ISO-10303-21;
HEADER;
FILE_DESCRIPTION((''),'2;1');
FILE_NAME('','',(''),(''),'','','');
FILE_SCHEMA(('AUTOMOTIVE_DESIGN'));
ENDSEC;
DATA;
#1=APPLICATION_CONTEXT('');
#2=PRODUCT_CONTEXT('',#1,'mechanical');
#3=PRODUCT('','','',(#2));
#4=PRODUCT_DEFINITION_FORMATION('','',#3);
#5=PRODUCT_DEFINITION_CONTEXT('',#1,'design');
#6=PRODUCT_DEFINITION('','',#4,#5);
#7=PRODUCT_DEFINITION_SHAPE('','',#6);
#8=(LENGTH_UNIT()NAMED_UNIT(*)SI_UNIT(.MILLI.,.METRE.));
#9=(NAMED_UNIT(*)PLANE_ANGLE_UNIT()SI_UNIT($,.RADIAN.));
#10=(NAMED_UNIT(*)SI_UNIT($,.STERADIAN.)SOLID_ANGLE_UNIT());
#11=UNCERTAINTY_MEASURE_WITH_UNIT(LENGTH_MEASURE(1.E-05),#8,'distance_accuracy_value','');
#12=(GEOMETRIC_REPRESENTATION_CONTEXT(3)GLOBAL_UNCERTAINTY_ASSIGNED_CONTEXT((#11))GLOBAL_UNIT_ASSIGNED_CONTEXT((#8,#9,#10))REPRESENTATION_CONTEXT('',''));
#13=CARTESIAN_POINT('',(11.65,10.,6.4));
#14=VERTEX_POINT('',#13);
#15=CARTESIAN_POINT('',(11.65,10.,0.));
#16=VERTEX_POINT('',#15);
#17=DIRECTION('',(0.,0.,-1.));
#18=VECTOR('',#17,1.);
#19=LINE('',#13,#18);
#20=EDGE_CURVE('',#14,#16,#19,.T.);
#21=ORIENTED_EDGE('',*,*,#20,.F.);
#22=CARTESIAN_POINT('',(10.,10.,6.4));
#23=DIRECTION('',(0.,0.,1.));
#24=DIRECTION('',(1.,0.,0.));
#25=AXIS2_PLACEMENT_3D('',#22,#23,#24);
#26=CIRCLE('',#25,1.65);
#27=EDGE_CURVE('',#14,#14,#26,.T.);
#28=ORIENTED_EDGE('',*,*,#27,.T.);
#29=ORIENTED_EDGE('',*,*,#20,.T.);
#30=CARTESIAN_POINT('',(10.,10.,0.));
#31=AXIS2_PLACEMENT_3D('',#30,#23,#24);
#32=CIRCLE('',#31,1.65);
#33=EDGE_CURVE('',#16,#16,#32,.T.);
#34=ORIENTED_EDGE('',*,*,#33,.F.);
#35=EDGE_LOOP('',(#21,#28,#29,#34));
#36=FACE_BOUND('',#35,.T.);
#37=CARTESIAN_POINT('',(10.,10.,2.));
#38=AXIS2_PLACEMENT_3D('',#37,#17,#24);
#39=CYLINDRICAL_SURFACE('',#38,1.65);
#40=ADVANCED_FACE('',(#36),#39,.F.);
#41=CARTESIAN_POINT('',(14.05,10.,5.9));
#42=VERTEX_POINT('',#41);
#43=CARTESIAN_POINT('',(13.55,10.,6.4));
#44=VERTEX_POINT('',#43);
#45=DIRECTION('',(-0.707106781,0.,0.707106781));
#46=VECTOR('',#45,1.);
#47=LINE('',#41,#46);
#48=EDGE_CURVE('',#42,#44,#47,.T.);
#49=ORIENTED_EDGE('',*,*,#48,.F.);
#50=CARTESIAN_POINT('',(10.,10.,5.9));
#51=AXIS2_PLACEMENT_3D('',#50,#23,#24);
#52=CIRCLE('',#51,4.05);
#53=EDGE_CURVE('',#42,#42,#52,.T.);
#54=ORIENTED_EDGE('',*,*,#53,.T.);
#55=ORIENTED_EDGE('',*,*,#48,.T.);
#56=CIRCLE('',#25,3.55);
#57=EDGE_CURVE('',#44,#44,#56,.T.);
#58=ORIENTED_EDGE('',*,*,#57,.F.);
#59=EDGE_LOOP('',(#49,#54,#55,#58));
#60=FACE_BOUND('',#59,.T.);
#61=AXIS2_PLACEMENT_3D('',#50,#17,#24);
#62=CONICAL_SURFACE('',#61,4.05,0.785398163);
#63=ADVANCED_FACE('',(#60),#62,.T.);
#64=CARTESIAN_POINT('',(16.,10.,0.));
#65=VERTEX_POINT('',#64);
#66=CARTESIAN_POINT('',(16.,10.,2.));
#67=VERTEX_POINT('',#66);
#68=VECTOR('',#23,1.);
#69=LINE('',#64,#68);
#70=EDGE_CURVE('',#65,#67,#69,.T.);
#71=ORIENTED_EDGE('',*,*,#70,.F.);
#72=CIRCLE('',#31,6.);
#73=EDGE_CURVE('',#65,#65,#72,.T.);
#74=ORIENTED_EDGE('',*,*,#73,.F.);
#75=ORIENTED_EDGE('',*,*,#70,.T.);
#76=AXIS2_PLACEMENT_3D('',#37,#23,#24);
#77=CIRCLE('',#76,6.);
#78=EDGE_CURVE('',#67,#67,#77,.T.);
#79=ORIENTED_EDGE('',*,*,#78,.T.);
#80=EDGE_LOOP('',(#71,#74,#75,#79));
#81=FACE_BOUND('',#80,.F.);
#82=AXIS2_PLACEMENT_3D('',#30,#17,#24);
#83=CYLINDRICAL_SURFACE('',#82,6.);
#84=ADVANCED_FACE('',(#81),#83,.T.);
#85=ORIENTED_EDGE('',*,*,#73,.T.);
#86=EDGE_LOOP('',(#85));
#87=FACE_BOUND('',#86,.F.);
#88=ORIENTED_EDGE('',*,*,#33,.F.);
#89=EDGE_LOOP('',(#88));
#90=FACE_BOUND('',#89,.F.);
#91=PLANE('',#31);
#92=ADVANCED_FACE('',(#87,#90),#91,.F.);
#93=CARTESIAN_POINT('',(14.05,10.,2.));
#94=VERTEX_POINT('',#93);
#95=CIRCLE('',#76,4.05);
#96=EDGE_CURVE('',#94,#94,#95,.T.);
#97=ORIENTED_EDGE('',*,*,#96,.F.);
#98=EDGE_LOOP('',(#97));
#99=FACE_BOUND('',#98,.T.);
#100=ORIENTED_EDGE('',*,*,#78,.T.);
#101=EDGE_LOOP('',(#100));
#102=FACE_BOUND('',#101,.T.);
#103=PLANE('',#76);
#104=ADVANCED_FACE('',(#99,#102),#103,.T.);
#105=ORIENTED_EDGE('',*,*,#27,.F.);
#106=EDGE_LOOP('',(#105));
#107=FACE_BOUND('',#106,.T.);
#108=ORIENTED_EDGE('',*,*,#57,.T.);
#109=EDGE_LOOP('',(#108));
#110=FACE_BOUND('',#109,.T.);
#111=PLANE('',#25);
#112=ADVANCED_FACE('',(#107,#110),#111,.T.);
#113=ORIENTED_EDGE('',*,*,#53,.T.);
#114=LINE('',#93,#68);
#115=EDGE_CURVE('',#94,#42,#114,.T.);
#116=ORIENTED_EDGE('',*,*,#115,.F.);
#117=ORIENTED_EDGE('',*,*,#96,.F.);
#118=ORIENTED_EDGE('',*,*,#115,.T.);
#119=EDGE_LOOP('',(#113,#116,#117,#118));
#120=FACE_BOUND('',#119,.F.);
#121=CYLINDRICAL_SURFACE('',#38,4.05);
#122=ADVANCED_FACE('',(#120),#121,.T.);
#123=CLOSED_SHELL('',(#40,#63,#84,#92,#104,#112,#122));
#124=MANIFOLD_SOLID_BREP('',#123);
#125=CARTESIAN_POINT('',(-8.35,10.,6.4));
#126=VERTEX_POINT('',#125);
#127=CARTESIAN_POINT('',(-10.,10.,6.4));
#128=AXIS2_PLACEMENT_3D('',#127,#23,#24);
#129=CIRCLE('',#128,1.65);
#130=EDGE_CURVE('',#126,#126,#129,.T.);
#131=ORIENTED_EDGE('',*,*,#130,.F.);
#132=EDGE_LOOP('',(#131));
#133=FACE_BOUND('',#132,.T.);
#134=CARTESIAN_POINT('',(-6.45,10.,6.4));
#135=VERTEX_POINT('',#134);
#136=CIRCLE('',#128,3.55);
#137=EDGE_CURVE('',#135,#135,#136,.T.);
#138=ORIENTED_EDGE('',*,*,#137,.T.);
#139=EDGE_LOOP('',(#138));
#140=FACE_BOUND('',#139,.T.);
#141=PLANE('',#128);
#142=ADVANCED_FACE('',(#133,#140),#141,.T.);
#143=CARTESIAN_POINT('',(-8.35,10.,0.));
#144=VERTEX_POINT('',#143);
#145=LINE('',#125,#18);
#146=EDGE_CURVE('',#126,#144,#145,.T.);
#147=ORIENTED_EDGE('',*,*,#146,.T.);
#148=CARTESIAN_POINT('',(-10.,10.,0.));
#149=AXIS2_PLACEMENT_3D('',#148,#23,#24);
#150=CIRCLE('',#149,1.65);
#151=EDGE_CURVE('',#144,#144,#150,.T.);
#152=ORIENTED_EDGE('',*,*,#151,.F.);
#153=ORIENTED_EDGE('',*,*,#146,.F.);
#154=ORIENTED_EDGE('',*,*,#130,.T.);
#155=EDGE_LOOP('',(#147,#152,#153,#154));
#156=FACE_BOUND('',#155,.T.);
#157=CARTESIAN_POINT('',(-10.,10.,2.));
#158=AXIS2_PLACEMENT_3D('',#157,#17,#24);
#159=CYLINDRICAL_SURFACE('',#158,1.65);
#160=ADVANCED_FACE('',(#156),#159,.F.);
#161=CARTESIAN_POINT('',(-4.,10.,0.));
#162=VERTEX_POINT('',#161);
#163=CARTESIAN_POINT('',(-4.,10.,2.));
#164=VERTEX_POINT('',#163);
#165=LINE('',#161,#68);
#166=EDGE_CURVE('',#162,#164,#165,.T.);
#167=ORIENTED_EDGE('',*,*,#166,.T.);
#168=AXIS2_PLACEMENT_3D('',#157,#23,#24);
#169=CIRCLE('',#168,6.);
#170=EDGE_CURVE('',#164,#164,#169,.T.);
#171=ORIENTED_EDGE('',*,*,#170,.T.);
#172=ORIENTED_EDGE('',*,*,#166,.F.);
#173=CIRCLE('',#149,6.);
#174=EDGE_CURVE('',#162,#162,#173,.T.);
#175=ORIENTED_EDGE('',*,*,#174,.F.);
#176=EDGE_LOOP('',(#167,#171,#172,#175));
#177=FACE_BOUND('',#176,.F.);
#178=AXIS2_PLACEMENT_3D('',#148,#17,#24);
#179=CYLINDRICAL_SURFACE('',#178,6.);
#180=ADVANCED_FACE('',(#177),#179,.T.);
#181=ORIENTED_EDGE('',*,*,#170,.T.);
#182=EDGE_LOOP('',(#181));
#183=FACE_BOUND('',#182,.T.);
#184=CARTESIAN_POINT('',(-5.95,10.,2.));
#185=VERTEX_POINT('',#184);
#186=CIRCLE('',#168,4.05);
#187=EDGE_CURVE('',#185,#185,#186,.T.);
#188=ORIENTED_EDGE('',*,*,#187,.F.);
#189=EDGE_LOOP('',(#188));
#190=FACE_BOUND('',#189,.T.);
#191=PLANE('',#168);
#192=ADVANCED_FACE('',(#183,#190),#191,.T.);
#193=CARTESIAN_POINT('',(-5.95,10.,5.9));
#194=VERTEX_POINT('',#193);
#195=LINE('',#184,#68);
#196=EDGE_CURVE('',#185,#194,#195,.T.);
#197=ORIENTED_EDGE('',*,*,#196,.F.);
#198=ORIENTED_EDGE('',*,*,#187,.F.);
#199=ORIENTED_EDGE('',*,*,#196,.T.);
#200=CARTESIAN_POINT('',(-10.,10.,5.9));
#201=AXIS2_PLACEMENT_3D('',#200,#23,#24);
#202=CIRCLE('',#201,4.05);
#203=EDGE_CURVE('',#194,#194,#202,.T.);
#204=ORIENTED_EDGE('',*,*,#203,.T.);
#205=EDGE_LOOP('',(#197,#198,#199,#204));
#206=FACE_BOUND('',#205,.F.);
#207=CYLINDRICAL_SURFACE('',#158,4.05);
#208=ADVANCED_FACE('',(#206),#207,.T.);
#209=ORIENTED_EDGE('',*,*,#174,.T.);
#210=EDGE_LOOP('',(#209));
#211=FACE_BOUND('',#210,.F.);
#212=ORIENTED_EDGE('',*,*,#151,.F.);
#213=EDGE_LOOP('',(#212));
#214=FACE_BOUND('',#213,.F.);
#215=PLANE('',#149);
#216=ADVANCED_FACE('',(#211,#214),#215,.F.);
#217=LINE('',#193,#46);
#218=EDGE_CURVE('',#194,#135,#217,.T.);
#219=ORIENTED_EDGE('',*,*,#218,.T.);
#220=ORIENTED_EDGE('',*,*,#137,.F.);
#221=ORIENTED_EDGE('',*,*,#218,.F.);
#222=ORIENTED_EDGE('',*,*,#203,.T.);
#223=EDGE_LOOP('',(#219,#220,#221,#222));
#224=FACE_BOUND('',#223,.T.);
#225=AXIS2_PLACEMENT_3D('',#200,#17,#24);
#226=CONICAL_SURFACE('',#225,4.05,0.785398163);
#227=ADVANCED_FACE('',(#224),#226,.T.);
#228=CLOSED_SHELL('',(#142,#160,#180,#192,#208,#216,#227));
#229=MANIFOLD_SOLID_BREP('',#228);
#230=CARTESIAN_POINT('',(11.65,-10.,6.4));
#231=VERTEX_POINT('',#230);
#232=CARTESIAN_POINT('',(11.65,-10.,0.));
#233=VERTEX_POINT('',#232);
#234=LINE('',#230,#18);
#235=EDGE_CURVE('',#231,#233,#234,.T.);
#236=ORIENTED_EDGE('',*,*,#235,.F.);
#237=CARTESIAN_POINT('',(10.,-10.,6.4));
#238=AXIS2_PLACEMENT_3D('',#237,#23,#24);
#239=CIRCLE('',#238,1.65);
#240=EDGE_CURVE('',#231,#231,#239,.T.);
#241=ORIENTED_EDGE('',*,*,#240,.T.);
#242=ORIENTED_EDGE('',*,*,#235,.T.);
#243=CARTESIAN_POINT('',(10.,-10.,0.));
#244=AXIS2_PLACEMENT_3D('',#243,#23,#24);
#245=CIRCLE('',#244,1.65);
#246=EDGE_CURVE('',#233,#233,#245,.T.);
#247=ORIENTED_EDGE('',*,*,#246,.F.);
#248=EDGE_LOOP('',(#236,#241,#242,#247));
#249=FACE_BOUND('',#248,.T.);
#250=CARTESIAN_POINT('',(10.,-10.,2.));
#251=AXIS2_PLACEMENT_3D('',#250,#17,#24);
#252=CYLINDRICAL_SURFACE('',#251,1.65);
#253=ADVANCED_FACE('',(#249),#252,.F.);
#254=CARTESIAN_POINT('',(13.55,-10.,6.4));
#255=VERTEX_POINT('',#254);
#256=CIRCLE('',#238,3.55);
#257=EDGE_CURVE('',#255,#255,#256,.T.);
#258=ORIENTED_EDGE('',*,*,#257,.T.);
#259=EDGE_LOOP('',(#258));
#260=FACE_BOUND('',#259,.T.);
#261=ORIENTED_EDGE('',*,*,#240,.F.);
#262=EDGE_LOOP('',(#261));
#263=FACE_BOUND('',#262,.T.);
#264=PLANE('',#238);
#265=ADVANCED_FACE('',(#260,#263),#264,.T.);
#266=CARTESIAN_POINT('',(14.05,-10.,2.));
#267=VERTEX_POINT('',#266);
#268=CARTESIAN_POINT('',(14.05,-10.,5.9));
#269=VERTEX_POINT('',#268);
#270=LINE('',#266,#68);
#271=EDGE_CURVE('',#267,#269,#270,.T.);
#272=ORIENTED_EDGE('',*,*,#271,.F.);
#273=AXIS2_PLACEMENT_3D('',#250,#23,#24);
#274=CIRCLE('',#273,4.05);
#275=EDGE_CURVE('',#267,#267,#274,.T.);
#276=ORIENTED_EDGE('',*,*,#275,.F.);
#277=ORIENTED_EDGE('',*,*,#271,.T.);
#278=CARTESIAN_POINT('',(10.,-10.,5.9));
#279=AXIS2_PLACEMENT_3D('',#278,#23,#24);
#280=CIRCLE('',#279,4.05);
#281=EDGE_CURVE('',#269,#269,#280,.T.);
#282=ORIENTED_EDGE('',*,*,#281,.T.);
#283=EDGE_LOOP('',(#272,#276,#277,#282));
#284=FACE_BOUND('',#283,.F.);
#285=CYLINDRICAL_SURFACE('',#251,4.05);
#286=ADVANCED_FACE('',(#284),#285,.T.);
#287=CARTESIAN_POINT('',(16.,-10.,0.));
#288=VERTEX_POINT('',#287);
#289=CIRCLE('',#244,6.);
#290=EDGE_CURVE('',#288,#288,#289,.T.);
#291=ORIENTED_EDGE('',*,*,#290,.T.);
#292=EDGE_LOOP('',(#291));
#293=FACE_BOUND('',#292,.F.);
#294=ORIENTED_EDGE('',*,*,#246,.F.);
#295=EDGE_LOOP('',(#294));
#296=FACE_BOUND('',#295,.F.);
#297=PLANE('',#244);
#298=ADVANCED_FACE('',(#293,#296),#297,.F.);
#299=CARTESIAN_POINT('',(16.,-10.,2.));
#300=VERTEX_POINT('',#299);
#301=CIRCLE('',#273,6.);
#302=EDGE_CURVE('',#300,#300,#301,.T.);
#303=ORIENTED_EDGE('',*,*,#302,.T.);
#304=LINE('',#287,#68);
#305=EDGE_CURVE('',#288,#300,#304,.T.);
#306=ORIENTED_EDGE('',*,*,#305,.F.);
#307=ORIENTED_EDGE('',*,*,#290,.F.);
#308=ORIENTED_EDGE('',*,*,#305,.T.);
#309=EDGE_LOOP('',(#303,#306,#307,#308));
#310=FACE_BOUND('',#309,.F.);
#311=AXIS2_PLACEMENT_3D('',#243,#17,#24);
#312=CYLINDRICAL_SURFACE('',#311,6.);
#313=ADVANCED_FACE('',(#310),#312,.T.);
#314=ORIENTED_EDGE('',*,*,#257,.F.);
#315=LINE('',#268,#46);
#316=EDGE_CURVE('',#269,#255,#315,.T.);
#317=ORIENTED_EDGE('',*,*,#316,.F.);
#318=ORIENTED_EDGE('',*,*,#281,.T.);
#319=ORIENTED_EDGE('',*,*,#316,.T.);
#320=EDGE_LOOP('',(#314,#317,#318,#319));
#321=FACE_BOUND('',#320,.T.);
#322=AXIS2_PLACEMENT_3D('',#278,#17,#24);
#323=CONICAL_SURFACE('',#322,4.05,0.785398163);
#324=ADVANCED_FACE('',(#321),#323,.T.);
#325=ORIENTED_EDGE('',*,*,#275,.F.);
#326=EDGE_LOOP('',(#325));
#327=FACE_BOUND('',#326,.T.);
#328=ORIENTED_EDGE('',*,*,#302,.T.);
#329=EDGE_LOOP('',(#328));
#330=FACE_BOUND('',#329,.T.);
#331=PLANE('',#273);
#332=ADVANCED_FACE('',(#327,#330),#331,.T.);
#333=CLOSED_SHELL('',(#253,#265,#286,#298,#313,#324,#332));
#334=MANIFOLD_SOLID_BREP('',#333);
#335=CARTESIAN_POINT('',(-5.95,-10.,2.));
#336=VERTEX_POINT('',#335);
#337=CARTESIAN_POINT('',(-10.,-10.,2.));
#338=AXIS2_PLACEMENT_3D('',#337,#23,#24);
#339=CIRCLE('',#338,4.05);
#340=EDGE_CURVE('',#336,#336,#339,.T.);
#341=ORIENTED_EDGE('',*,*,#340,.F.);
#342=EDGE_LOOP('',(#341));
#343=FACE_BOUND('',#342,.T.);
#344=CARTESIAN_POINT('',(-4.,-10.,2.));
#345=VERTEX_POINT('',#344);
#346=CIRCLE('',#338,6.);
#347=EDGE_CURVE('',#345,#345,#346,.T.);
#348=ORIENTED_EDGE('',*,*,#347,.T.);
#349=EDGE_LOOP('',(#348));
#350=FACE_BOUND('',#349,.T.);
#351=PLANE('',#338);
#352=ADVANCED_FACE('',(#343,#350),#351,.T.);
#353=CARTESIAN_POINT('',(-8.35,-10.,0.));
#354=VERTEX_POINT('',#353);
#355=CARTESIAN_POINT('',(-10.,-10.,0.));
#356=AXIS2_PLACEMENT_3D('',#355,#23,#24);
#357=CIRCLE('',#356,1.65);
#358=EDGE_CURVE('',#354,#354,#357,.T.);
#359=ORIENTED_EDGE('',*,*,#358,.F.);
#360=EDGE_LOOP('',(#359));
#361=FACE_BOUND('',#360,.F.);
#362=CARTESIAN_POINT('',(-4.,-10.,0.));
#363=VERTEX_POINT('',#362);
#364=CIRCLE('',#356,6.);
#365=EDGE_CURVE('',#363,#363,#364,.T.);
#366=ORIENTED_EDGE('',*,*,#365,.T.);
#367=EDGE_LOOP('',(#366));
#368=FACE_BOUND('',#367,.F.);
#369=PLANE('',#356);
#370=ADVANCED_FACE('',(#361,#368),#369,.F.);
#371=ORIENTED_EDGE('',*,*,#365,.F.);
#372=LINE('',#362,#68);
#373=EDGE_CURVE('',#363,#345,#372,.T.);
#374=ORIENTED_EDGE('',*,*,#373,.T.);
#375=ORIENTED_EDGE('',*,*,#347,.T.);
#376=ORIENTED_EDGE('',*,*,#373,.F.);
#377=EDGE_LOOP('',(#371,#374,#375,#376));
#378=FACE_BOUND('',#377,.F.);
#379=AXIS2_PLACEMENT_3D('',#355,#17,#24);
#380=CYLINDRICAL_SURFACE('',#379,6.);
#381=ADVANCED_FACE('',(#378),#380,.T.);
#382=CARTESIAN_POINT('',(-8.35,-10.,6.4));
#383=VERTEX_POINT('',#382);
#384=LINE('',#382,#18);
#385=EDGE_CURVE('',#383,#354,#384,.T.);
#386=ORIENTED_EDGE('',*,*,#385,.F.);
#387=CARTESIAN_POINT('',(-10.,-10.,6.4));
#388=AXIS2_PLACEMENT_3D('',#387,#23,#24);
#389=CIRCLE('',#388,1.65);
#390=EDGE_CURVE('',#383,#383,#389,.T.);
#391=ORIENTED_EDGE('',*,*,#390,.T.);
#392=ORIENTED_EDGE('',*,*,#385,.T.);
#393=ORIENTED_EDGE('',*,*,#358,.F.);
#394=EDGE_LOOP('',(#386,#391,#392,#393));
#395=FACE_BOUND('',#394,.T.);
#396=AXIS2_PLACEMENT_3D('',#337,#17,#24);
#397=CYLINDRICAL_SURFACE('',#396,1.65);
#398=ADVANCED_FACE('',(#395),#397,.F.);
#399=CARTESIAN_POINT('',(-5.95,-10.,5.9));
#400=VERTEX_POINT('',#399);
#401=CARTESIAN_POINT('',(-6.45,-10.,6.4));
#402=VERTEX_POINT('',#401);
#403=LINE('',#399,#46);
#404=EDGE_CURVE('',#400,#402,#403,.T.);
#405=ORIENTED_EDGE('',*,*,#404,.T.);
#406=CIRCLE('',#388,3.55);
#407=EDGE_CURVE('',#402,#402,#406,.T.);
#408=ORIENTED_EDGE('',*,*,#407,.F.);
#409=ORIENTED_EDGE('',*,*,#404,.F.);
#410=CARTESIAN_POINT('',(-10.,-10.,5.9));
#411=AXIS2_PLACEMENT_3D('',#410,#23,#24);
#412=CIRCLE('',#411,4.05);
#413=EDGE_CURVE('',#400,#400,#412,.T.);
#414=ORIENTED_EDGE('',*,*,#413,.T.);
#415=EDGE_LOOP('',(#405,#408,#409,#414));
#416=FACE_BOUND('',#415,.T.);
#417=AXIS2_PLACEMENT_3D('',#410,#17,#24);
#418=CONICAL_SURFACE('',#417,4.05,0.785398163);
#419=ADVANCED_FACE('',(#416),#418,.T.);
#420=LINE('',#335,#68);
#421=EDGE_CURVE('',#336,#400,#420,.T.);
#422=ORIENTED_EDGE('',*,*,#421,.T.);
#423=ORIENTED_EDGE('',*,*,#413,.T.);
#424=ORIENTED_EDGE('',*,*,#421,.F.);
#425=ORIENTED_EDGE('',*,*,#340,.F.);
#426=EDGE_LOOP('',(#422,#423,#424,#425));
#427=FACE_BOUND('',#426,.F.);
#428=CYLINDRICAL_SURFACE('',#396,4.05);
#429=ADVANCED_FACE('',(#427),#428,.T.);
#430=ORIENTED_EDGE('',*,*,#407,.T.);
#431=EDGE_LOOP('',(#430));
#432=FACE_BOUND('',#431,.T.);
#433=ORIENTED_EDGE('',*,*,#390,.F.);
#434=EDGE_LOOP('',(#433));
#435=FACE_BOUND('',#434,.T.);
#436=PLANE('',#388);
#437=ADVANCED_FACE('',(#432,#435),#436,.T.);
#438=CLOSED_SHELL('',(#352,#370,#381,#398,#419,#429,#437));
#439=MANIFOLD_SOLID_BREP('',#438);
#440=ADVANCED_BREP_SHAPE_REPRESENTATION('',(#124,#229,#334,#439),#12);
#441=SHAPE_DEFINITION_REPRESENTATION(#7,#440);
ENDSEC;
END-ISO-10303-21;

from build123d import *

# Parameters (mm, degrees)
F0_R      = 6
F0_R_2    = 1.65
F1_DEPTH  = 2
F2_R      = 4.05
F2_R_2    = 1.65
F3_DEPTH  = 4.4
F4_SIZE   = 0.5
F4_2_SIZE = 0.5
F4_3_SIZE = 0.5
F4_4_SIZE = 0.5


with BuildPart() as f1:
    # F0 (on Top) → F1 (new body)
    with BuildSketch(Plane.XY):
        with Locations((-10, 10)):
            Circle(F0_R)
        with Locations((-10, 10)):
            Circle(F0_R_2, mode=Mode.SUBTRACT)
    extrude(amount=F1_DEPTH)

    # F2 (on face) → F3 (join)
    with BuildSketch(Plane.XY.offset(2)):
        with Locations((-10, 10)):
            Circle(F2_R)
        with Locations((-10, 10)):
            Circle(F2_R_2, mode=Mode.SUBTRACT)
    extrude(amount=F3_DEPTH)

    # F4#3
    f4_3_edges = [f1.edges().sort_by_distance(p)[0] for p in [
        (-14.05, 10, 6.4),
    ]]
    chamfer(f4_3_edges, length=F4_3_SIZE)


with BuildPart() as f1b:
    # F0 (on Top) → F1, piece 2 (new body)
    with BuildSketch(Plane.XY):
        with Locations((10, 10)):
            Circle(F0_R)
        with Locations((10, 10)):
            Circle(F0_R_2, mode=Mode.SUBTRACT)
    extrude(amount=F1_DEPTH)

    # F2 (on face) → F3, piece 2 (join)
    with BuildSketch(Plane.XY.offset(2)):
        with Locations((10, 10)):
            Circle(F2_R)
        with Locations((10, 10)):
            Circle(F2_R_2, mode=Mode.SUBTRACT)
    extrude(amount=F3_DEPTH)

    # F4#2
    f4_2_edges = [f1b.edges().sort_by_distance(p)[0] for p in [
        (5.95, 10, 6.4),
    ]]
    chamfer(f4_2_edges, length=F4_2_SIZE)


with BuildPart() as f1c:
    # F0 (on Top) → F1, piece 3 (new body)
    with BuildSketch(Plane.XY):
        with Locations((10, -10)):
            Circle(F0_R)
        with Locations((10, -10)):
            Circle(F0_R_2, mode=Mode.SUBTRACT)
    extrude(amount=F1_DEPTH)

    # F2 (on face) → F3, piece 3 (join)
    with BuildSketch(Plane.XY.offset(2)):
        with Locations((10, -10)):
            Circle(F2_R)
        with Locations((10, -10)):
            Circle(F2_R_2, mode=Mode.SUBTRACT)
    extrude(amount=F3_DEPTH)

    # F4
    f4_edges = [f1c.edges().sort_by_distance(p)[0] for p in [
        (5.95, -10, 6.4),
    ]]
    chamfer(f4_edges, length=F4_SIZE)


with BuildPart() as f1d:
    # F0 (on Top) → F1, piece 4 (new body)
    with BuildSketch(Plane.XY):
        with Locations((-10, -10)):
            Circle(F0_R)
        with Locations((-10, -10)):
            Circle(F0_R_2, mode=Mode.SUBTRACT)
    extrude(amount=F1_DEPTH)

    # F2 (on face) → F3, piece 4 (join)
    with BuildSketch(Plane.XY.offset(2)):
        with Locations((-10, -10)):
            Circle(F2_R)
        with Locations((-10, -10)):
            Circle(F2_R_2, mode=Mode.SUBTRACT)
    extrude(amount=F3_DEPTH)

    # F4#4
    f4_4_edges = [f1d.edges().sort_by_distance(p)[0] for p in [
        (-14.05, -10, 6.4),
    ]]
    chamfer(f4_4_edges, length=F4_4_SIZE)


solid = Compound([f1.part, f1b.part, f1c.part, f1d.part])
